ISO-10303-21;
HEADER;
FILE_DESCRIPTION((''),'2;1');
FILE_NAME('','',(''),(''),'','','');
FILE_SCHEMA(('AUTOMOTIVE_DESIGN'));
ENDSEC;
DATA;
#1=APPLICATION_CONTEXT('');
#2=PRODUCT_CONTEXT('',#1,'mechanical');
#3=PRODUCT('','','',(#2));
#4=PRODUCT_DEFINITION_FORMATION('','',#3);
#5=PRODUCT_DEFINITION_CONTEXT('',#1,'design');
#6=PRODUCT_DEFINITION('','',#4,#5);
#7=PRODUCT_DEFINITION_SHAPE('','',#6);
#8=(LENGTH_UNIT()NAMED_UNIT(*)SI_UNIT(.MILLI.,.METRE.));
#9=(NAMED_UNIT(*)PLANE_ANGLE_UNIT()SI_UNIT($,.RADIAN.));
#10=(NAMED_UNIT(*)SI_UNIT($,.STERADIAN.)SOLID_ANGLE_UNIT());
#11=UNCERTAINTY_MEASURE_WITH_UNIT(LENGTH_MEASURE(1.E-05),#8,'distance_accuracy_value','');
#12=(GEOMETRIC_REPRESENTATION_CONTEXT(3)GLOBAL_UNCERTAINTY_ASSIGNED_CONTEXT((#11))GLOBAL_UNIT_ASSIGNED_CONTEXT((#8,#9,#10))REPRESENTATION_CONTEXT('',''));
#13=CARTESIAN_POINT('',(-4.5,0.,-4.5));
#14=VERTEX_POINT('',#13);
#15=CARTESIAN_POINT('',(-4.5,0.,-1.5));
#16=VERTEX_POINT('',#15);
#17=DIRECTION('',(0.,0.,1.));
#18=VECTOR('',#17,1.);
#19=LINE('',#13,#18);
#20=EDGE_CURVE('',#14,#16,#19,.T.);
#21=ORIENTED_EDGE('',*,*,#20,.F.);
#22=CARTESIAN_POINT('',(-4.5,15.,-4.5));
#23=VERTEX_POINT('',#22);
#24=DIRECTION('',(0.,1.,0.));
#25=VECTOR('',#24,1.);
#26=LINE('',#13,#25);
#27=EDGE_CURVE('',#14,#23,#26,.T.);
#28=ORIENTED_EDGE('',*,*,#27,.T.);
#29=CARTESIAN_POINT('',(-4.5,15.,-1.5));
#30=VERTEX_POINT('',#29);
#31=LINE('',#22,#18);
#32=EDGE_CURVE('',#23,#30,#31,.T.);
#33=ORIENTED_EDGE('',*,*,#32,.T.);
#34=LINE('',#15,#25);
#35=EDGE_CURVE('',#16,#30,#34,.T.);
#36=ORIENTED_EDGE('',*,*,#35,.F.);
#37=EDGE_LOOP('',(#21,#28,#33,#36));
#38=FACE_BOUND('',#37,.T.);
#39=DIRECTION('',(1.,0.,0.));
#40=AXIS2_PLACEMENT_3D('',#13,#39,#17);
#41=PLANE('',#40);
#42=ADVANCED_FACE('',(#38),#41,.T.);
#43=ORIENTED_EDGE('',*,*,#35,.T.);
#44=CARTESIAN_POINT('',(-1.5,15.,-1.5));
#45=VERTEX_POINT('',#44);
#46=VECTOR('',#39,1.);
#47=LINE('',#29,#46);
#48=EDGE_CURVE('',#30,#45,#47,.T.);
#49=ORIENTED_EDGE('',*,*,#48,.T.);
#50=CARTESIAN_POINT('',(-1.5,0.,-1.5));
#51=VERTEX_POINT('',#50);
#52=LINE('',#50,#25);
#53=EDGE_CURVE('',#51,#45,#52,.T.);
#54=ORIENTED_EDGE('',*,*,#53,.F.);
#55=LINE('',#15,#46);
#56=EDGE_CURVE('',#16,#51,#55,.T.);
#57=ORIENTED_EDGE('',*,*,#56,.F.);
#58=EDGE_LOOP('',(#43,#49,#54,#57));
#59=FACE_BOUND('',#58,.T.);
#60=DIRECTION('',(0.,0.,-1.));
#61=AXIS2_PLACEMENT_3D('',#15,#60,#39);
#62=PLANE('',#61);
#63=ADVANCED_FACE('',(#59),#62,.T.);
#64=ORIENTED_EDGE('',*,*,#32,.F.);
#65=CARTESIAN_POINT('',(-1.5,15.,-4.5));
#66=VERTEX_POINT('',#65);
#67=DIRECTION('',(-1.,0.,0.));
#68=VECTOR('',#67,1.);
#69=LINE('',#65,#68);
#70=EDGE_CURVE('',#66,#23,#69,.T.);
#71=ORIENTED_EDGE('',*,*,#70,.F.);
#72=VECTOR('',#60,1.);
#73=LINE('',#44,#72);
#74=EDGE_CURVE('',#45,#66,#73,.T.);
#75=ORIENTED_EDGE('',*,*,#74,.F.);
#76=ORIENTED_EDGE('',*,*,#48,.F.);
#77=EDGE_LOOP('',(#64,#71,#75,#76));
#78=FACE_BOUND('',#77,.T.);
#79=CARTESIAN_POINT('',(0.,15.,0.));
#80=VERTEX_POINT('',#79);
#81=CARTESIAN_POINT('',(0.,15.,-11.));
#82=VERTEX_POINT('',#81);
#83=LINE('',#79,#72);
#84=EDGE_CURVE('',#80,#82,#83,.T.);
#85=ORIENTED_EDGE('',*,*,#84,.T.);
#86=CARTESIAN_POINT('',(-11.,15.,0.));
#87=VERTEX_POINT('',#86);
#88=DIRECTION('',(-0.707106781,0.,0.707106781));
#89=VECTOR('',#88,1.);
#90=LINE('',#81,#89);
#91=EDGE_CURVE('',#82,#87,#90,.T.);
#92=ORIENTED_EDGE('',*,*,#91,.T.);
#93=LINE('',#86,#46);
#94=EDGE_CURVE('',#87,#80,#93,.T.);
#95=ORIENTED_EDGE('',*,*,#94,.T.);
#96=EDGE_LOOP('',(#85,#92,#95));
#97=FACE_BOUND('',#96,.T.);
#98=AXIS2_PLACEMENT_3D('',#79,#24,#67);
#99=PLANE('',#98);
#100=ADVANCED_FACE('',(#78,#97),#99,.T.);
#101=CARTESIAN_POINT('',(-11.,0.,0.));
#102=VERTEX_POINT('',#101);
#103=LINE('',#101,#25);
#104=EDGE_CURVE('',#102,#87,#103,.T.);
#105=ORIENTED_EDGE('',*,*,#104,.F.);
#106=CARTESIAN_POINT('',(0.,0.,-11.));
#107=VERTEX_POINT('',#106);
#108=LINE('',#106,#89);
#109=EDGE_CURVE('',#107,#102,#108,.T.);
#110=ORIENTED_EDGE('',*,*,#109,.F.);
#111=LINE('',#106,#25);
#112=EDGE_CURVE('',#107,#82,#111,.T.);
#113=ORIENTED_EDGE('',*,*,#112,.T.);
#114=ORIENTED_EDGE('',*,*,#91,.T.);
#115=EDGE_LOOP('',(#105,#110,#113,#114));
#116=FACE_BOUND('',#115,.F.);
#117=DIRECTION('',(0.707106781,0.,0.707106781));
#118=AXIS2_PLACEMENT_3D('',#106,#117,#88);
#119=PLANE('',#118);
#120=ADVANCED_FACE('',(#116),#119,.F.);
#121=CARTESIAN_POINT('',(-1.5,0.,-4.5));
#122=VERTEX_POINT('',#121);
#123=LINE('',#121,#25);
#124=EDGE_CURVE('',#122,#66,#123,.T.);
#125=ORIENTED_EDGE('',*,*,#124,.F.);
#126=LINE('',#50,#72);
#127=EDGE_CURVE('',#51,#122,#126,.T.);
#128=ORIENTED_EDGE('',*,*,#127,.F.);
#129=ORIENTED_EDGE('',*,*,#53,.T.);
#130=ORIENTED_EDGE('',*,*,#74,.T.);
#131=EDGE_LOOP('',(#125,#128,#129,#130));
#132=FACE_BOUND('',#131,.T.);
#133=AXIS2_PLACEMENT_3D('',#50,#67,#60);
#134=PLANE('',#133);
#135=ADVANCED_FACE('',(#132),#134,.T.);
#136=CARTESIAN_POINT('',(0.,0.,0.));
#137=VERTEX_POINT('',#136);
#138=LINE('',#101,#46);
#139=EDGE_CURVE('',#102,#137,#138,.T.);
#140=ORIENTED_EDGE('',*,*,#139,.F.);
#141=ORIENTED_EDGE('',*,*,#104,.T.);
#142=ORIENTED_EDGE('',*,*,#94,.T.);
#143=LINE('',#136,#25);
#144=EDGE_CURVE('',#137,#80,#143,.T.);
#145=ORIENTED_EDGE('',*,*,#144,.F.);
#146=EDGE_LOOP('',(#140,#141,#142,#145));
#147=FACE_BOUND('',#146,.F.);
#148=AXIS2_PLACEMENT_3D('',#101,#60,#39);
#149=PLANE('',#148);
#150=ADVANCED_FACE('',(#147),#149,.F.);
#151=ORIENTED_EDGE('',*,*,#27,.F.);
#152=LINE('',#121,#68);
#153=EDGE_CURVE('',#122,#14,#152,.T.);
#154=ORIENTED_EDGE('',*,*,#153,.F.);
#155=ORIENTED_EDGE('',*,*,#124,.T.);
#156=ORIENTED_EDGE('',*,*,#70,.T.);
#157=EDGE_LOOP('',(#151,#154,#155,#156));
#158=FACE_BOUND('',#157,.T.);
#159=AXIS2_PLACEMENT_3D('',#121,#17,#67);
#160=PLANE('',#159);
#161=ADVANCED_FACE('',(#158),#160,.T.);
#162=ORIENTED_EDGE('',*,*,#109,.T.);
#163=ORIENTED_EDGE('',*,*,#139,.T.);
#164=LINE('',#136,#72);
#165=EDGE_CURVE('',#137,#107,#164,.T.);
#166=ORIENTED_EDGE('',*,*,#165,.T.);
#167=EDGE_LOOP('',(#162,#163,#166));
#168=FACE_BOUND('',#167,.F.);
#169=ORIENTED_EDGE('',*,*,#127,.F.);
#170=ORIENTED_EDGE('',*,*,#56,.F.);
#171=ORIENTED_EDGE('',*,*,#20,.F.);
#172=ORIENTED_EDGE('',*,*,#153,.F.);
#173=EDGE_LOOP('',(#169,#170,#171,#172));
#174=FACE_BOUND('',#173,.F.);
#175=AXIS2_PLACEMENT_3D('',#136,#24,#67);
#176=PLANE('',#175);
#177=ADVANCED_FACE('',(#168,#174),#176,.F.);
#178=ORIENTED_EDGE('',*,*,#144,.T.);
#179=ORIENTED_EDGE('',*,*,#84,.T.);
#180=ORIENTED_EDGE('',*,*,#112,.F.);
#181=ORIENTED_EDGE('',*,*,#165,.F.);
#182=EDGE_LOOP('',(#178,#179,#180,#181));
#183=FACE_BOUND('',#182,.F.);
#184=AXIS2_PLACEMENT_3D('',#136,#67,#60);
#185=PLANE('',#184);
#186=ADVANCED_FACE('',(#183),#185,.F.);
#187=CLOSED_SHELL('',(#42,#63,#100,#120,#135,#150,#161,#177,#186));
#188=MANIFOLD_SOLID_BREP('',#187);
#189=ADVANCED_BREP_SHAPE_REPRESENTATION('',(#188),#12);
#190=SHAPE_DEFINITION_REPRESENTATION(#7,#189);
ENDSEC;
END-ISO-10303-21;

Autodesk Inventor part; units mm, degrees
ref_plane "YZ Plane" through (0, 0, 0) normal (1, 0, 0) x (0, 1, 0)
ref_plane "XZ Plane" through (0, 0, 0) normal (0, 1, 0) x (-1, 0, 0)
ref_plane "XY Plane" through (0, 0, 0) normal (0, 0, 1) x (1, 0, 0)
sketch "草圖1" plane through (0, 0, 0) normal (0, 1, 0) x (-1, 0, 0)
  line L0 (0, 0) -> (0, -11)
  line L1 (0, -11) -> (11, 0)
  line L2 (11, 0) -> (0, 0)
  line L3 (4.5, -1.5) -> (1.5, -1.5)
  line L4 (1.5, -1.5) -> (1.5, -4.5)
  line L5 (1.5, -4.5) -> (4.5, -4.5)
  line L6 (4.5, -4.5) -> (4.5, -1.5)
  dimension "d0" = 11
  dimension "d1" = 11
  dimension "d4" = 3
  dimension "d5" = 3
  dimension "d8" = 1.5
  dimension "d9" = 1.5
extrude "擠出1" add sketch "草圖1" along normal blind 15
properties part number "triangle"
